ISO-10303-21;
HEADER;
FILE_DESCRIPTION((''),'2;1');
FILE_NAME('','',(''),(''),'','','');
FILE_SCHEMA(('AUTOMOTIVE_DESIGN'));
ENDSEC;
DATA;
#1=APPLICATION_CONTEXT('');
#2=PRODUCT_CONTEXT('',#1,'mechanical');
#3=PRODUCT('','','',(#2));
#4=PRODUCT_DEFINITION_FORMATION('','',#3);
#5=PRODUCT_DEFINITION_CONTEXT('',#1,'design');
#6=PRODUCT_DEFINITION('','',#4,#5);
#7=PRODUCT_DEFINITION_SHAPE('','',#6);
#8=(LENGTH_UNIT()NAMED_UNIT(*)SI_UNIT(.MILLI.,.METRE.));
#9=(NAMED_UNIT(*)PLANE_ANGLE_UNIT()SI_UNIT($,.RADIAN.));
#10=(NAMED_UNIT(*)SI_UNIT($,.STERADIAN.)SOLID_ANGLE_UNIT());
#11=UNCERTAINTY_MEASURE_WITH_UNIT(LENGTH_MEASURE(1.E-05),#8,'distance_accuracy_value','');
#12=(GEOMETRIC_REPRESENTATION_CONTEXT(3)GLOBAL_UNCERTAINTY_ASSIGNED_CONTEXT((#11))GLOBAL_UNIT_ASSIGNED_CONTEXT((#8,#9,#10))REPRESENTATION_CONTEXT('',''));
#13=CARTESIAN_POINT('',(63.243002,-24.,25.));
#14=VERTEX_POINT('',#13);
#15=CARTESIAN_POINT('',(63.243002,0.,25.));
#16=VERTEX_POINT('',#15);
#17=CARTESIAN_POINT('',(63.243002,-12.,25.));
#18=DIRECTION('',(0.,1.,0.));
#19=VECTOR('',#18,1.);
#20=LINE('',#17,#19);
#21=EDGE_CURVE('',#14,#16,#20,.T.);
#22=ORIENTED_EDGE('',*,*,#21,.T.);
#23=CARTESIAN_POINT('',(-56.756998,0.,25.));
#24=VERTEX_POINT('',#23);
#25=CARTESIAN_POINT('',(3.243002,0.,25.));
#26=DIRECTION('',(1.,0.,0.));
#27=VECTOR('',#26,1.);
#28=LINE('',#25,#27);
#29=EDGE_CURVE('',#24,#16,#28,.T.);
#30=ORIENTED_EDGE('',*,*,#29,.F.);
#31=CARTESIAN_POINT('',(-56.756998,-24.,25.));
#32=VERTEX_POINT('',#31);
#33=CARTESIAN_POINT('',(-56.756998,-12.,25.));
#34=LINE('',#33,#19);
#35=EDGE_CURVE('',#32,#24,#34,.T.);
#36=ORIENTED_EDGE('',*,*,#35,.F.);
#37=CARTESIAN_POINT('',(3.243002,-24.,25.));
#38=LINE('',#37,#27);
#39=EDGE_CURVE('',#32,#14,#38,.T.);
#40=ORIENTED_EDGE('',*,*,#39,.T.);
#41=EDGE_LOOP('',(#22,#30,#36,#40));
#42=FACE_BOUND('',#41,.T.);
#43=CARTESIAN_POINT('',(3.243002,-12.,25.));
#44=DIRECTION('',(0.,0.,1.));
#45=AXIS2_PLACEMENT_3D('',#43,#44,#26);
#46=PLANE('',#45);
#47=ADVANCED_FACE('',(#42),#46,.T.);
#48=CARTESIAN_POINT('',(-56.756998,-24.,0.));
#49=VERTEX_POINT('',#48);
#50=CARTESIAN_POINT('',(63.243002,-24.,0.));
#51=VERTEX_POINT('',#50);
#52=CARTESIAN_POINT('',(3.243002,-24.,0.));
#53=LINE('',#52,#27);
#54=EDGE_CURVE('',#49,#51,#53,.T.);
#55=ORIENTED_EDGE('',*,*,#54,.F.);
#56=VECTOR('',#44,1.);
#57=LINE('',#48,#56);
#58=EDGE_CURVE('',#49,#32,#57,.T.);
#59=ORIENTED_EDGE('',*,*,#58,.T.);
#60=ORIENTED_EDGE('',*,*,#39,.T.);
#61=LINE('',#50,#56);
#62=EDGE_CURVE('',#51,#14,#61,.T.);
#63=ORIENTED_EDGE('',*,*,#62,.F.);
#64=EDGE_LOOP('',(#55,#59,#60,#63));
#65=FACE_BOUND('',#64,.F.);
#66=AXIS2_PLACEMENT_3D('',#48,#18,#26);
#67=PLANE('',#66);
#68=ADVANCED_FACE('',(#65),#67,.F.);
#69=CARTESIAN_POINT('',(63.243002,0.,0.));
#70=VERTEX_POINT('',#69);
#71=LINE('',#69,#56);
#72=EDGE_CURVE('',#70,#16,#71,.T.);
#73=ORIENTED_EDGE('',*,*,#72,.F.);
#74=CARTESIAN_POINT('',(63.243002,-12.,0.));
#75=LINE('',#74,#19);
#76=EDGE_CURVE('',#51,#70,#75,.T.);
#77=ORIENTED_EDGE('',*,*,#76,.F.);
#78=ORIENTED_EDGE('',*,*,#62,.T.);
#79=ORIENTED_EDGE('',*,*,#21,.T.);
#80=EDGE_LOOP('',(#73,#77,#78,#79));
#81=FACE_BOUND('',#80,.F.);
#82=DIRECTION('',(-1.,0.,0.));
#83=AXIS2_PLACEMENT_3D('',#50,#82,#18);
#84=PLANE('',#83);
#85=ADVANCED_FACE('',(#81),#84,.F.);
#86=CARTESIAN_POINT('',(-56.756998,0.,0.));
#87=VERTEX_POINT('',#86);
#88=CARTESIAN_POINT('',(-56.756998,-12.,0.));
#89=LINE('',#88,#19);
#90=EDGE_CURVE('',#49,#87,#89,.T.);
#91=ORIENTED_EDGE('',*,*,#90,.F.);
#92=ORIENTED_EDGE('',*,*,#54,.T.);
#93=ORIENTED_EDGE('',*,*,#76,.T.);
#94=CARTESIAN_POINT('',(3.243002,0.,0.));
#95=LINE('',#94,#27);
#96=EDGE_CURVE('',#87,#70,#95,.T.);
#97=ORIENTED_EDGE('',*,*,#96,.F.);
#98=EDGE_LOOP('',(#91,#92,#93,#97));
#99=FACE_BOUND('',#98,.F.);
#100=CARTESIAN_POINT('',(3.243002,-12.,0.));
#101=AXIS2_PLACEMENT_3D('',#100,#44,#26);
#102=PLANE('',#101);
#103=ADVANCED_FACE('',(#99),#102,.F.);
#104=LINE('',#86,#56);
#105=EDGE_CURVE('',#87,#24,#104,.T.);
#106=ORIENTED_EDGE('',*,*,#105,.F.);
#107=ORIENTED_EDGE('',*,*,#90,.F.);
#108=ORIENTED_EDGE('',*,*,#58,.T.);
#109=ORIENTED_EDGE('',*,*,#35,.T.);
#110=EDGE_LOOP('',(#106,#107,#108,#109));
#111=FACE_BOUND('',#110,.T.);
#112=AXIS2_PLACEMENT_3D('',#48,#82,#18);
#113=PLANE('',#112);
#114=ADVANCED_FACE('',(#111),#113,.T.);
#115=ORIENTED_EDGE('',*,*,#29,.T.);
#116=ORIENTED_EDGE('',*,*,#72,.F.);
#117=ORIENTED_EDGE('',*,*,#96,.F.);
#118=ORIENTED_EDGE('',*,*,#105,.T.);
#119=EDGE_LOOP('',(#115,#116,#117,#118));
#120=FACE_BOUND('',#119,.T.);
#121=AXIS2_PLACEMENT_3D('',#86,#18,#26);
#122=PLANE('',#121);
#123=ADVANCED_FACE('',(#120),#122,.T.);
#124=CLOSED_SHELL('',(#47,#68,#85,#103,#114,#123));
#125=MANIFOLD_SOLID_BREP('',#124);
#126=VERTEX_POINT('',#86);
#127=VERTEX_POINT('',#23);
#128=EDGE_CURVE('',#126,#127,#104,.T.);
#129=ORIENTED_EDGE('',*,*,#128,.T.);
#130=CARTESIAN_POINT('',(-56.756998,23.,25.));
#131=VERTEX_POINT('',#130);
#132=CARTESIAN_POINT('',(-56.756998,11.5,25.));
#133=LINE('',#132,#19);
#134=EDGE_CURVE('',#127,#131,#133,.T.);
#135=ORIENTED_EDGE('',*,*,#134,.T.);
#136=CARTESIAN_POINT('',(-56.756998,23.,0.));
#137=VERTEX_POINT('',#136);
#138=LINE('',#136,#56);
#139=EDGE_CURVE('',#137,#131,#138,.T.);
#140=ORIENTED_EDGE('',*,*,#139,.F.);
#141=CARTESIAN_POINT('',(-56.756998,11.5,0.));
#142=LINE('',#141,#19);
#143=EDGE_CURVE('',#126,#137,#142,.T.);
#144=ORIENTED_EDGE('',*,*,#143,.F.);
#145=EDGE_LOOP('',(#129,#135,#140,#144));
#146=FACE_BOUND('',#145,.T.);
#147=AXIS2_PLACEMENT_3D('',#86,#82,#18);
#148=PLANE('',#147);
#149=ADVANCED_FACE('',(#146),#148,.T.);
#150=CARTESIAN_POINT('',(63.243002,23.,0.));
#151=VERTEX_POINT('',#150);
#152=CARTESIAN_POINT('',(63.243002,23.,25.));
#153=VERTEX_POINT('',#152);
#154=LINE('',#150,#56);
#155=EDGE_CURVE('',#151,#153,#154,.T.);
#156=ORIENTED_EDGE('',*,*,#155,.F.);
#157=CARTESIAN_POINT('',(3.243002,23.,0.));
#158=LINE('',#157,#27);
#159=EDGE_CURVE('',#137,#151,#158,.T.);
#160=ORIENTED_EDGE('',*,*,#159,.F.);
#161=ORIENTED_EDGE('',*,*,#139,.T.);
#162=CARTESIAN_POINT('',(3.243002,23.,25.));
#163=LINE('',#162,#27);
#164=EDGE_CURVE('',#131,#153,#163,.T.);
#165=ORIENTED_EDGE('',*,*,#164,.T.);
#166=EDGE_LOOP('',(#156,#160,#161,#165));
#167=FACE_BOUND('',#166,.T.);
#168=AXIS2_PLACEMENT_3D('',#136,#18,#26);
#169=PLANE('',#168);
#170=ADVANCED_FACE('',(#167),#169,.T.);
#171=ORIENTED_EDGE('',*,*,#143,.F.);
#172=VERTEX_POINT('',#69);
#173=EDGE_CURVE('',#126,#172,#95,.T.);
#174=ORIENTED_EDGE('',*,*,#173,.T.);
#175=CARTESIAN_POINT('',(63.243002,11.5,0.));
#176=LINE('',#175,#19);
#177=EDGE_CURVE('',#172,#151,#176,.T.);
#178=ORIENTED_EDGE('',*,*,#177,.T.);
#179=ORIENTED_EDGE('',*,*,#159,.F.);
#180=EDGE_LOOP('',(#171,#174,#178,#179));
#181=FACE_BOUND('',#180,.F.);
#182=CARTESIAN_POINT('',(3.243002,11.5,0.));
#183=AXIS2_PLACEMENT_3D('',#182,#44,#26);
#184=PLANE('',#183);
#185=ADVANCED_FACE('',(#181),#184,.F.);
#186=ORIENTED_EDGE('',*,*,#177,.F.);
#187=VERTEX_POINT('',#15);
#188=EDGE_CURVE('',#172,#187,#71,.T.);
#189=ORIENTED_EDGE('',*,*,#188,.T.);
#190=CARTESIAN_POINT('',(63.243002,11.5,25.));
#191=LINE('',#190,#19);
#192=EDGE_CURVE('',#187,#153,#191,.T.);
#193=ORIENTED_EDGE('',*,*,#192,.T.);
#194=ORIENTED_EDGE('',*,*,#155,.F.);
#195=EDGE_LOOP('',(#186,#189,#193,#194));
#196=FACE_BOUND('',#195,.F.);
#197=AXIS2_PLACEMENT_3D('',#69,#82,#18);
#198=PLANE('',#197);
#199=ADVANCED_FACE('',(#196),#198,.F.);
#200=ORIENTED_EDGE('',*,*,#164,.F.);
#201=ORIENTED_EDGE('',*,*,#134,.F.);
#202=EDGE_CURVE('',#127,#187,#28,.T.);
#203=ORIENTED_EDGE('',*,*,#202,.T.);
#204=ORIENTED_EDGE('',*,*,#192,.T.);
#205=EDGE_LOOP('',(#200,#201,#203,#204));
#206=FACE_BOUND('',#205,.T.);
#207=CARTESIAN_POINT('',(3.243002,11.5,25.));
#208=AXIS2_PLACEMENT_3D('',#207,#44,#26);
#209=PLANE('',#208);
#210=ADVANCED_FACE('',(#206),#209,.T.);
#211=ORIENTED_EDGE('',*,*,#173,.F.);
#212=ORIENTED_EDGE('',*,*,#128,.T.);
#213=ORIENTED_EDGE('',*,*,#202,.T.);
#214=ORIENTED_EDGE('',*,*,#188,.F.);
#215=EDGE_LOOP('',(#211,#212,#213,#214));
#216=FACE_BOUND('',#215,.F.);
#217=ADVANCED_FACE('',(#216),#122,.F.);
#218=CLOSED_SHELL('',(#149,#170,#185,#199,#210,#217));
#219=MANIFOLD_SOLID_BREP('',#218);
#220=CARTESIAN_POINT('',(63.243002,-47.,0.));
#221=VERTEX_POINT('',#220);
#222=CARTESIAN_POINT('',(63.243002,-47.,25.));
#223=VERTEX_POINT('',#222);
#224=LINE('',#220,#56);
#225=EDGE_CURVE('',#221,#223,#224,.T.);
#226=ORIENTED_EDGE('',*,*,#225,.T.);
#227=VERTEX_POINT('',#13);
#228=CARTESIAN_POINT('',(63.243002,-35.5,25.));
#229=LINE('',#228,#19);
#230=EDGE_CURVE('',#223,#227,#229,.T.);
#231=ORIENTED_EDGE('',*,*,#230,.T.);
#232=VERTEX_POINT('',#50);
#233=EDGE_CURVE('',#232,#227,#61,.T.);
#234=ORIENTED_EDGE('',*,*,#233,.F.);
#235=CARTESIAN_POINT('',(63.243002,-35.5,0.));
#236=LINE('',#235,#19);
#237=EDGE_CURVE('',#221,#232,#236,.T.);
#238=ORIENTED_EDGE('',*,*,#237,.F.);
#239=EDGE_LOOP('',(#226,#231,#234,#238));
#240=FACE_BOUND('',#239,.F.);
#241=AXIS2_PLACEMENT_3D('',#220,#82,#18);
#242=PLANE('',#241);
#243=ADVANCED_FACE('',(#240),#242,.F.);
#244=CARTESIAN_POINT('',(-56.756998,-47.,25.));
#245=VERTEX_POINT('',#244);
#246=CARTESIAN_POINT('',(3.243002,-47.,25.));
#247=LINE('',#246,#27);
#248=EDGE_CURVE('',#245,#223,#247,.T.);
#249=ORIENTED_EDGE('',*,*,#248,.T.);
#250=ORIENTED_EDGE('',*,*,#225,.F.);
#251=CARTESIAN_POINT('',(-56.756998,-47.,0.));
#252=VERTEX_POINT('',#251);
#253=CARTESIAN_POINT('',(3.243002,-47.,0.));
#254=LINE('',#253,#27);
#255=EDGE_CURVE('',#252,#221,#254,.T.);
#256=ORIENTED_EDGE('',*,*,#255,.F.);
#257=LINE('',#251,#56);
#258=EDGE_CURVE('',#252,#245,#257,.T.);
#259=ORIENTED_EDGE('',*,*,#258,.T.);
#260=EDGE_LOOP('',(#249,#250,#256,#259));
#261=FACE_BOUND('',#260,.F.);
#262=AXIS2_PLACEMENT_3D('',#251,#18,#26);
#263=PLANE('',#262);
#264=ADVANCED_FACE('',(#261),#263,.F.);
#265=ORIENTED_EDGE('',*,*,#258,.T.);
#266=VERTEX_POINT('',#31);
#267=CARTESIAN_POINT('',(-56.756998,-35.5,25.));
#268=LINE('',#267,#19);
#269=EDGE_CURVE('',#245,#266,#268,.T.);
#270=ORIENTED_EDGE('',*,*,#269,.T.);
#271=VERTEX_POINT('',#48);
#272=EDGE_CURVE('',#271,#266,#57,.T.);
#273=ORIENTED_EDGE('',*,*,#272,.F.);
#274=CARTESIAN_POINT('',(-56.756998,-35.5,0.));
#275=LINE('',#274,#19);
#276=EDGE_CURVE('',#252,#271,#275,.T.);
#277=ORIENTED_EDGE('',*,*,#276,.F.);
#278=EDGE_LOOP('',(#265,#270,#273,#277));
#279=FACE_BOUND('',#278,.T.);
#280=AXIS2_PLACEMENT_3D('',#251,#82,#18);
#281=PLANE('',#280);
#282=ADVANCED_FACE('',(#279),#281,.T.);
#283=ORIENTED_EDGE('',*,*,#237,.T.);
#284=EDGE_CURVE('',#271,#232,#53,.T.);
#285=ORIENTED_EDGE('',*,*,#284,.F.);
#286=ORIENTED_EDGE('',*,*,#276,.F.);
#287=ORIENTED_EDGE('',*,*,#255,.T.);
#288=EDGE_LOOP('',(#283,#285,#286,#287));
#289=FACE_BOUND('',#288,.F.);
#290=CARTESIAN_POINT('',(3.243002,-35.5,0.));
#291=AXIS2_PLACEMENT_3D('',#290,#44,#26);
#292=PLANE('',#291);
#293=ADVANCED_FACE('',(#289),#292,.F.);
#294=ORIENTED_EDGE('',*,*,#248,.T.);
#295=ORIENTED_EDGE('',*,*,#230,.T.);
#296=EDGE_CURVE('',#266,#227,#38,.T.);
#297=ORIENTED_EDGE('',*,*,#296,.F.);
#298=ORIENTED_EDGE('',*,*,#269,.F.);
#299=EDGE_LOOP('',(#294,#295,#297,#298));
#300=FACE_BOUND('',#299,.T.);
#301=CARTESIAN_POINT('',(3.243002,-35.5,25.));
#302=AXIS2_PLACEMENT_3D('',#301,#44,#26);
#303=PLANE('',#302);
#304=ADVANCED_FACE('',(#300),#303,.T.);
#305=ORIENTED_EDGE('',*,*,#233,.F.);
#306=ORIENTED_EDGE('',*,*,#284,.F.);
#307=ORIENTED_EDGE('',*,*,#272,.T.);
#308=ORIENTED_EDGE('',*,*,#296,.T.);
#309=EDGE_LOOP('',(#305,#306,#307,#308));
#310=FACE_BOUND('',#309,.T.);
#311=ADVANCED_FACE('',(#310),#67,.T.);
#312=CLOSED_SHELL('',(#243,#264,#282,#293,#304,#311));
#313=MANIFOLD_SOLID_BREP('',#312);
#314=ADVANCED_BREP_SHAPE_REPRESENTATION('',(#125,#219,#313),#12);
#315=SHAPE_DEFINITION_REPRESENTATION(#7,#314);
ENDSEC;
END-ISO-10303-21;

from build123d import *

# Parameters (mm, degrees)
F0_W     = 120
F0_H     = 23
F1_DEPTH = 25
F0_H_2   = 24
F2_DEPTH = 25


with BuildPart() as f1:
    # F0 (on Top) → F1 (new body)
    with BuildSketch(Plane.XY):
        with Locations((3.243002, -35.5)):
            Rectangle(F0_W, F0_H)
        with Locations((3.243002, 11.5)):
            Rectangle(F0_W, F0_H)
    extrude(amount=F1_DEPTH)


with BuildPart() as f2:
    # F0 (on Top) → F2 (new body)
    with BuildSketch(Plane.XY):
        with Locations((3.243002, -12)):
            Rectangle(F0_W, F0_H_2)
    extrude(amount=F2_DEPTH)


solid = Compound([f1.part, f2.part])
